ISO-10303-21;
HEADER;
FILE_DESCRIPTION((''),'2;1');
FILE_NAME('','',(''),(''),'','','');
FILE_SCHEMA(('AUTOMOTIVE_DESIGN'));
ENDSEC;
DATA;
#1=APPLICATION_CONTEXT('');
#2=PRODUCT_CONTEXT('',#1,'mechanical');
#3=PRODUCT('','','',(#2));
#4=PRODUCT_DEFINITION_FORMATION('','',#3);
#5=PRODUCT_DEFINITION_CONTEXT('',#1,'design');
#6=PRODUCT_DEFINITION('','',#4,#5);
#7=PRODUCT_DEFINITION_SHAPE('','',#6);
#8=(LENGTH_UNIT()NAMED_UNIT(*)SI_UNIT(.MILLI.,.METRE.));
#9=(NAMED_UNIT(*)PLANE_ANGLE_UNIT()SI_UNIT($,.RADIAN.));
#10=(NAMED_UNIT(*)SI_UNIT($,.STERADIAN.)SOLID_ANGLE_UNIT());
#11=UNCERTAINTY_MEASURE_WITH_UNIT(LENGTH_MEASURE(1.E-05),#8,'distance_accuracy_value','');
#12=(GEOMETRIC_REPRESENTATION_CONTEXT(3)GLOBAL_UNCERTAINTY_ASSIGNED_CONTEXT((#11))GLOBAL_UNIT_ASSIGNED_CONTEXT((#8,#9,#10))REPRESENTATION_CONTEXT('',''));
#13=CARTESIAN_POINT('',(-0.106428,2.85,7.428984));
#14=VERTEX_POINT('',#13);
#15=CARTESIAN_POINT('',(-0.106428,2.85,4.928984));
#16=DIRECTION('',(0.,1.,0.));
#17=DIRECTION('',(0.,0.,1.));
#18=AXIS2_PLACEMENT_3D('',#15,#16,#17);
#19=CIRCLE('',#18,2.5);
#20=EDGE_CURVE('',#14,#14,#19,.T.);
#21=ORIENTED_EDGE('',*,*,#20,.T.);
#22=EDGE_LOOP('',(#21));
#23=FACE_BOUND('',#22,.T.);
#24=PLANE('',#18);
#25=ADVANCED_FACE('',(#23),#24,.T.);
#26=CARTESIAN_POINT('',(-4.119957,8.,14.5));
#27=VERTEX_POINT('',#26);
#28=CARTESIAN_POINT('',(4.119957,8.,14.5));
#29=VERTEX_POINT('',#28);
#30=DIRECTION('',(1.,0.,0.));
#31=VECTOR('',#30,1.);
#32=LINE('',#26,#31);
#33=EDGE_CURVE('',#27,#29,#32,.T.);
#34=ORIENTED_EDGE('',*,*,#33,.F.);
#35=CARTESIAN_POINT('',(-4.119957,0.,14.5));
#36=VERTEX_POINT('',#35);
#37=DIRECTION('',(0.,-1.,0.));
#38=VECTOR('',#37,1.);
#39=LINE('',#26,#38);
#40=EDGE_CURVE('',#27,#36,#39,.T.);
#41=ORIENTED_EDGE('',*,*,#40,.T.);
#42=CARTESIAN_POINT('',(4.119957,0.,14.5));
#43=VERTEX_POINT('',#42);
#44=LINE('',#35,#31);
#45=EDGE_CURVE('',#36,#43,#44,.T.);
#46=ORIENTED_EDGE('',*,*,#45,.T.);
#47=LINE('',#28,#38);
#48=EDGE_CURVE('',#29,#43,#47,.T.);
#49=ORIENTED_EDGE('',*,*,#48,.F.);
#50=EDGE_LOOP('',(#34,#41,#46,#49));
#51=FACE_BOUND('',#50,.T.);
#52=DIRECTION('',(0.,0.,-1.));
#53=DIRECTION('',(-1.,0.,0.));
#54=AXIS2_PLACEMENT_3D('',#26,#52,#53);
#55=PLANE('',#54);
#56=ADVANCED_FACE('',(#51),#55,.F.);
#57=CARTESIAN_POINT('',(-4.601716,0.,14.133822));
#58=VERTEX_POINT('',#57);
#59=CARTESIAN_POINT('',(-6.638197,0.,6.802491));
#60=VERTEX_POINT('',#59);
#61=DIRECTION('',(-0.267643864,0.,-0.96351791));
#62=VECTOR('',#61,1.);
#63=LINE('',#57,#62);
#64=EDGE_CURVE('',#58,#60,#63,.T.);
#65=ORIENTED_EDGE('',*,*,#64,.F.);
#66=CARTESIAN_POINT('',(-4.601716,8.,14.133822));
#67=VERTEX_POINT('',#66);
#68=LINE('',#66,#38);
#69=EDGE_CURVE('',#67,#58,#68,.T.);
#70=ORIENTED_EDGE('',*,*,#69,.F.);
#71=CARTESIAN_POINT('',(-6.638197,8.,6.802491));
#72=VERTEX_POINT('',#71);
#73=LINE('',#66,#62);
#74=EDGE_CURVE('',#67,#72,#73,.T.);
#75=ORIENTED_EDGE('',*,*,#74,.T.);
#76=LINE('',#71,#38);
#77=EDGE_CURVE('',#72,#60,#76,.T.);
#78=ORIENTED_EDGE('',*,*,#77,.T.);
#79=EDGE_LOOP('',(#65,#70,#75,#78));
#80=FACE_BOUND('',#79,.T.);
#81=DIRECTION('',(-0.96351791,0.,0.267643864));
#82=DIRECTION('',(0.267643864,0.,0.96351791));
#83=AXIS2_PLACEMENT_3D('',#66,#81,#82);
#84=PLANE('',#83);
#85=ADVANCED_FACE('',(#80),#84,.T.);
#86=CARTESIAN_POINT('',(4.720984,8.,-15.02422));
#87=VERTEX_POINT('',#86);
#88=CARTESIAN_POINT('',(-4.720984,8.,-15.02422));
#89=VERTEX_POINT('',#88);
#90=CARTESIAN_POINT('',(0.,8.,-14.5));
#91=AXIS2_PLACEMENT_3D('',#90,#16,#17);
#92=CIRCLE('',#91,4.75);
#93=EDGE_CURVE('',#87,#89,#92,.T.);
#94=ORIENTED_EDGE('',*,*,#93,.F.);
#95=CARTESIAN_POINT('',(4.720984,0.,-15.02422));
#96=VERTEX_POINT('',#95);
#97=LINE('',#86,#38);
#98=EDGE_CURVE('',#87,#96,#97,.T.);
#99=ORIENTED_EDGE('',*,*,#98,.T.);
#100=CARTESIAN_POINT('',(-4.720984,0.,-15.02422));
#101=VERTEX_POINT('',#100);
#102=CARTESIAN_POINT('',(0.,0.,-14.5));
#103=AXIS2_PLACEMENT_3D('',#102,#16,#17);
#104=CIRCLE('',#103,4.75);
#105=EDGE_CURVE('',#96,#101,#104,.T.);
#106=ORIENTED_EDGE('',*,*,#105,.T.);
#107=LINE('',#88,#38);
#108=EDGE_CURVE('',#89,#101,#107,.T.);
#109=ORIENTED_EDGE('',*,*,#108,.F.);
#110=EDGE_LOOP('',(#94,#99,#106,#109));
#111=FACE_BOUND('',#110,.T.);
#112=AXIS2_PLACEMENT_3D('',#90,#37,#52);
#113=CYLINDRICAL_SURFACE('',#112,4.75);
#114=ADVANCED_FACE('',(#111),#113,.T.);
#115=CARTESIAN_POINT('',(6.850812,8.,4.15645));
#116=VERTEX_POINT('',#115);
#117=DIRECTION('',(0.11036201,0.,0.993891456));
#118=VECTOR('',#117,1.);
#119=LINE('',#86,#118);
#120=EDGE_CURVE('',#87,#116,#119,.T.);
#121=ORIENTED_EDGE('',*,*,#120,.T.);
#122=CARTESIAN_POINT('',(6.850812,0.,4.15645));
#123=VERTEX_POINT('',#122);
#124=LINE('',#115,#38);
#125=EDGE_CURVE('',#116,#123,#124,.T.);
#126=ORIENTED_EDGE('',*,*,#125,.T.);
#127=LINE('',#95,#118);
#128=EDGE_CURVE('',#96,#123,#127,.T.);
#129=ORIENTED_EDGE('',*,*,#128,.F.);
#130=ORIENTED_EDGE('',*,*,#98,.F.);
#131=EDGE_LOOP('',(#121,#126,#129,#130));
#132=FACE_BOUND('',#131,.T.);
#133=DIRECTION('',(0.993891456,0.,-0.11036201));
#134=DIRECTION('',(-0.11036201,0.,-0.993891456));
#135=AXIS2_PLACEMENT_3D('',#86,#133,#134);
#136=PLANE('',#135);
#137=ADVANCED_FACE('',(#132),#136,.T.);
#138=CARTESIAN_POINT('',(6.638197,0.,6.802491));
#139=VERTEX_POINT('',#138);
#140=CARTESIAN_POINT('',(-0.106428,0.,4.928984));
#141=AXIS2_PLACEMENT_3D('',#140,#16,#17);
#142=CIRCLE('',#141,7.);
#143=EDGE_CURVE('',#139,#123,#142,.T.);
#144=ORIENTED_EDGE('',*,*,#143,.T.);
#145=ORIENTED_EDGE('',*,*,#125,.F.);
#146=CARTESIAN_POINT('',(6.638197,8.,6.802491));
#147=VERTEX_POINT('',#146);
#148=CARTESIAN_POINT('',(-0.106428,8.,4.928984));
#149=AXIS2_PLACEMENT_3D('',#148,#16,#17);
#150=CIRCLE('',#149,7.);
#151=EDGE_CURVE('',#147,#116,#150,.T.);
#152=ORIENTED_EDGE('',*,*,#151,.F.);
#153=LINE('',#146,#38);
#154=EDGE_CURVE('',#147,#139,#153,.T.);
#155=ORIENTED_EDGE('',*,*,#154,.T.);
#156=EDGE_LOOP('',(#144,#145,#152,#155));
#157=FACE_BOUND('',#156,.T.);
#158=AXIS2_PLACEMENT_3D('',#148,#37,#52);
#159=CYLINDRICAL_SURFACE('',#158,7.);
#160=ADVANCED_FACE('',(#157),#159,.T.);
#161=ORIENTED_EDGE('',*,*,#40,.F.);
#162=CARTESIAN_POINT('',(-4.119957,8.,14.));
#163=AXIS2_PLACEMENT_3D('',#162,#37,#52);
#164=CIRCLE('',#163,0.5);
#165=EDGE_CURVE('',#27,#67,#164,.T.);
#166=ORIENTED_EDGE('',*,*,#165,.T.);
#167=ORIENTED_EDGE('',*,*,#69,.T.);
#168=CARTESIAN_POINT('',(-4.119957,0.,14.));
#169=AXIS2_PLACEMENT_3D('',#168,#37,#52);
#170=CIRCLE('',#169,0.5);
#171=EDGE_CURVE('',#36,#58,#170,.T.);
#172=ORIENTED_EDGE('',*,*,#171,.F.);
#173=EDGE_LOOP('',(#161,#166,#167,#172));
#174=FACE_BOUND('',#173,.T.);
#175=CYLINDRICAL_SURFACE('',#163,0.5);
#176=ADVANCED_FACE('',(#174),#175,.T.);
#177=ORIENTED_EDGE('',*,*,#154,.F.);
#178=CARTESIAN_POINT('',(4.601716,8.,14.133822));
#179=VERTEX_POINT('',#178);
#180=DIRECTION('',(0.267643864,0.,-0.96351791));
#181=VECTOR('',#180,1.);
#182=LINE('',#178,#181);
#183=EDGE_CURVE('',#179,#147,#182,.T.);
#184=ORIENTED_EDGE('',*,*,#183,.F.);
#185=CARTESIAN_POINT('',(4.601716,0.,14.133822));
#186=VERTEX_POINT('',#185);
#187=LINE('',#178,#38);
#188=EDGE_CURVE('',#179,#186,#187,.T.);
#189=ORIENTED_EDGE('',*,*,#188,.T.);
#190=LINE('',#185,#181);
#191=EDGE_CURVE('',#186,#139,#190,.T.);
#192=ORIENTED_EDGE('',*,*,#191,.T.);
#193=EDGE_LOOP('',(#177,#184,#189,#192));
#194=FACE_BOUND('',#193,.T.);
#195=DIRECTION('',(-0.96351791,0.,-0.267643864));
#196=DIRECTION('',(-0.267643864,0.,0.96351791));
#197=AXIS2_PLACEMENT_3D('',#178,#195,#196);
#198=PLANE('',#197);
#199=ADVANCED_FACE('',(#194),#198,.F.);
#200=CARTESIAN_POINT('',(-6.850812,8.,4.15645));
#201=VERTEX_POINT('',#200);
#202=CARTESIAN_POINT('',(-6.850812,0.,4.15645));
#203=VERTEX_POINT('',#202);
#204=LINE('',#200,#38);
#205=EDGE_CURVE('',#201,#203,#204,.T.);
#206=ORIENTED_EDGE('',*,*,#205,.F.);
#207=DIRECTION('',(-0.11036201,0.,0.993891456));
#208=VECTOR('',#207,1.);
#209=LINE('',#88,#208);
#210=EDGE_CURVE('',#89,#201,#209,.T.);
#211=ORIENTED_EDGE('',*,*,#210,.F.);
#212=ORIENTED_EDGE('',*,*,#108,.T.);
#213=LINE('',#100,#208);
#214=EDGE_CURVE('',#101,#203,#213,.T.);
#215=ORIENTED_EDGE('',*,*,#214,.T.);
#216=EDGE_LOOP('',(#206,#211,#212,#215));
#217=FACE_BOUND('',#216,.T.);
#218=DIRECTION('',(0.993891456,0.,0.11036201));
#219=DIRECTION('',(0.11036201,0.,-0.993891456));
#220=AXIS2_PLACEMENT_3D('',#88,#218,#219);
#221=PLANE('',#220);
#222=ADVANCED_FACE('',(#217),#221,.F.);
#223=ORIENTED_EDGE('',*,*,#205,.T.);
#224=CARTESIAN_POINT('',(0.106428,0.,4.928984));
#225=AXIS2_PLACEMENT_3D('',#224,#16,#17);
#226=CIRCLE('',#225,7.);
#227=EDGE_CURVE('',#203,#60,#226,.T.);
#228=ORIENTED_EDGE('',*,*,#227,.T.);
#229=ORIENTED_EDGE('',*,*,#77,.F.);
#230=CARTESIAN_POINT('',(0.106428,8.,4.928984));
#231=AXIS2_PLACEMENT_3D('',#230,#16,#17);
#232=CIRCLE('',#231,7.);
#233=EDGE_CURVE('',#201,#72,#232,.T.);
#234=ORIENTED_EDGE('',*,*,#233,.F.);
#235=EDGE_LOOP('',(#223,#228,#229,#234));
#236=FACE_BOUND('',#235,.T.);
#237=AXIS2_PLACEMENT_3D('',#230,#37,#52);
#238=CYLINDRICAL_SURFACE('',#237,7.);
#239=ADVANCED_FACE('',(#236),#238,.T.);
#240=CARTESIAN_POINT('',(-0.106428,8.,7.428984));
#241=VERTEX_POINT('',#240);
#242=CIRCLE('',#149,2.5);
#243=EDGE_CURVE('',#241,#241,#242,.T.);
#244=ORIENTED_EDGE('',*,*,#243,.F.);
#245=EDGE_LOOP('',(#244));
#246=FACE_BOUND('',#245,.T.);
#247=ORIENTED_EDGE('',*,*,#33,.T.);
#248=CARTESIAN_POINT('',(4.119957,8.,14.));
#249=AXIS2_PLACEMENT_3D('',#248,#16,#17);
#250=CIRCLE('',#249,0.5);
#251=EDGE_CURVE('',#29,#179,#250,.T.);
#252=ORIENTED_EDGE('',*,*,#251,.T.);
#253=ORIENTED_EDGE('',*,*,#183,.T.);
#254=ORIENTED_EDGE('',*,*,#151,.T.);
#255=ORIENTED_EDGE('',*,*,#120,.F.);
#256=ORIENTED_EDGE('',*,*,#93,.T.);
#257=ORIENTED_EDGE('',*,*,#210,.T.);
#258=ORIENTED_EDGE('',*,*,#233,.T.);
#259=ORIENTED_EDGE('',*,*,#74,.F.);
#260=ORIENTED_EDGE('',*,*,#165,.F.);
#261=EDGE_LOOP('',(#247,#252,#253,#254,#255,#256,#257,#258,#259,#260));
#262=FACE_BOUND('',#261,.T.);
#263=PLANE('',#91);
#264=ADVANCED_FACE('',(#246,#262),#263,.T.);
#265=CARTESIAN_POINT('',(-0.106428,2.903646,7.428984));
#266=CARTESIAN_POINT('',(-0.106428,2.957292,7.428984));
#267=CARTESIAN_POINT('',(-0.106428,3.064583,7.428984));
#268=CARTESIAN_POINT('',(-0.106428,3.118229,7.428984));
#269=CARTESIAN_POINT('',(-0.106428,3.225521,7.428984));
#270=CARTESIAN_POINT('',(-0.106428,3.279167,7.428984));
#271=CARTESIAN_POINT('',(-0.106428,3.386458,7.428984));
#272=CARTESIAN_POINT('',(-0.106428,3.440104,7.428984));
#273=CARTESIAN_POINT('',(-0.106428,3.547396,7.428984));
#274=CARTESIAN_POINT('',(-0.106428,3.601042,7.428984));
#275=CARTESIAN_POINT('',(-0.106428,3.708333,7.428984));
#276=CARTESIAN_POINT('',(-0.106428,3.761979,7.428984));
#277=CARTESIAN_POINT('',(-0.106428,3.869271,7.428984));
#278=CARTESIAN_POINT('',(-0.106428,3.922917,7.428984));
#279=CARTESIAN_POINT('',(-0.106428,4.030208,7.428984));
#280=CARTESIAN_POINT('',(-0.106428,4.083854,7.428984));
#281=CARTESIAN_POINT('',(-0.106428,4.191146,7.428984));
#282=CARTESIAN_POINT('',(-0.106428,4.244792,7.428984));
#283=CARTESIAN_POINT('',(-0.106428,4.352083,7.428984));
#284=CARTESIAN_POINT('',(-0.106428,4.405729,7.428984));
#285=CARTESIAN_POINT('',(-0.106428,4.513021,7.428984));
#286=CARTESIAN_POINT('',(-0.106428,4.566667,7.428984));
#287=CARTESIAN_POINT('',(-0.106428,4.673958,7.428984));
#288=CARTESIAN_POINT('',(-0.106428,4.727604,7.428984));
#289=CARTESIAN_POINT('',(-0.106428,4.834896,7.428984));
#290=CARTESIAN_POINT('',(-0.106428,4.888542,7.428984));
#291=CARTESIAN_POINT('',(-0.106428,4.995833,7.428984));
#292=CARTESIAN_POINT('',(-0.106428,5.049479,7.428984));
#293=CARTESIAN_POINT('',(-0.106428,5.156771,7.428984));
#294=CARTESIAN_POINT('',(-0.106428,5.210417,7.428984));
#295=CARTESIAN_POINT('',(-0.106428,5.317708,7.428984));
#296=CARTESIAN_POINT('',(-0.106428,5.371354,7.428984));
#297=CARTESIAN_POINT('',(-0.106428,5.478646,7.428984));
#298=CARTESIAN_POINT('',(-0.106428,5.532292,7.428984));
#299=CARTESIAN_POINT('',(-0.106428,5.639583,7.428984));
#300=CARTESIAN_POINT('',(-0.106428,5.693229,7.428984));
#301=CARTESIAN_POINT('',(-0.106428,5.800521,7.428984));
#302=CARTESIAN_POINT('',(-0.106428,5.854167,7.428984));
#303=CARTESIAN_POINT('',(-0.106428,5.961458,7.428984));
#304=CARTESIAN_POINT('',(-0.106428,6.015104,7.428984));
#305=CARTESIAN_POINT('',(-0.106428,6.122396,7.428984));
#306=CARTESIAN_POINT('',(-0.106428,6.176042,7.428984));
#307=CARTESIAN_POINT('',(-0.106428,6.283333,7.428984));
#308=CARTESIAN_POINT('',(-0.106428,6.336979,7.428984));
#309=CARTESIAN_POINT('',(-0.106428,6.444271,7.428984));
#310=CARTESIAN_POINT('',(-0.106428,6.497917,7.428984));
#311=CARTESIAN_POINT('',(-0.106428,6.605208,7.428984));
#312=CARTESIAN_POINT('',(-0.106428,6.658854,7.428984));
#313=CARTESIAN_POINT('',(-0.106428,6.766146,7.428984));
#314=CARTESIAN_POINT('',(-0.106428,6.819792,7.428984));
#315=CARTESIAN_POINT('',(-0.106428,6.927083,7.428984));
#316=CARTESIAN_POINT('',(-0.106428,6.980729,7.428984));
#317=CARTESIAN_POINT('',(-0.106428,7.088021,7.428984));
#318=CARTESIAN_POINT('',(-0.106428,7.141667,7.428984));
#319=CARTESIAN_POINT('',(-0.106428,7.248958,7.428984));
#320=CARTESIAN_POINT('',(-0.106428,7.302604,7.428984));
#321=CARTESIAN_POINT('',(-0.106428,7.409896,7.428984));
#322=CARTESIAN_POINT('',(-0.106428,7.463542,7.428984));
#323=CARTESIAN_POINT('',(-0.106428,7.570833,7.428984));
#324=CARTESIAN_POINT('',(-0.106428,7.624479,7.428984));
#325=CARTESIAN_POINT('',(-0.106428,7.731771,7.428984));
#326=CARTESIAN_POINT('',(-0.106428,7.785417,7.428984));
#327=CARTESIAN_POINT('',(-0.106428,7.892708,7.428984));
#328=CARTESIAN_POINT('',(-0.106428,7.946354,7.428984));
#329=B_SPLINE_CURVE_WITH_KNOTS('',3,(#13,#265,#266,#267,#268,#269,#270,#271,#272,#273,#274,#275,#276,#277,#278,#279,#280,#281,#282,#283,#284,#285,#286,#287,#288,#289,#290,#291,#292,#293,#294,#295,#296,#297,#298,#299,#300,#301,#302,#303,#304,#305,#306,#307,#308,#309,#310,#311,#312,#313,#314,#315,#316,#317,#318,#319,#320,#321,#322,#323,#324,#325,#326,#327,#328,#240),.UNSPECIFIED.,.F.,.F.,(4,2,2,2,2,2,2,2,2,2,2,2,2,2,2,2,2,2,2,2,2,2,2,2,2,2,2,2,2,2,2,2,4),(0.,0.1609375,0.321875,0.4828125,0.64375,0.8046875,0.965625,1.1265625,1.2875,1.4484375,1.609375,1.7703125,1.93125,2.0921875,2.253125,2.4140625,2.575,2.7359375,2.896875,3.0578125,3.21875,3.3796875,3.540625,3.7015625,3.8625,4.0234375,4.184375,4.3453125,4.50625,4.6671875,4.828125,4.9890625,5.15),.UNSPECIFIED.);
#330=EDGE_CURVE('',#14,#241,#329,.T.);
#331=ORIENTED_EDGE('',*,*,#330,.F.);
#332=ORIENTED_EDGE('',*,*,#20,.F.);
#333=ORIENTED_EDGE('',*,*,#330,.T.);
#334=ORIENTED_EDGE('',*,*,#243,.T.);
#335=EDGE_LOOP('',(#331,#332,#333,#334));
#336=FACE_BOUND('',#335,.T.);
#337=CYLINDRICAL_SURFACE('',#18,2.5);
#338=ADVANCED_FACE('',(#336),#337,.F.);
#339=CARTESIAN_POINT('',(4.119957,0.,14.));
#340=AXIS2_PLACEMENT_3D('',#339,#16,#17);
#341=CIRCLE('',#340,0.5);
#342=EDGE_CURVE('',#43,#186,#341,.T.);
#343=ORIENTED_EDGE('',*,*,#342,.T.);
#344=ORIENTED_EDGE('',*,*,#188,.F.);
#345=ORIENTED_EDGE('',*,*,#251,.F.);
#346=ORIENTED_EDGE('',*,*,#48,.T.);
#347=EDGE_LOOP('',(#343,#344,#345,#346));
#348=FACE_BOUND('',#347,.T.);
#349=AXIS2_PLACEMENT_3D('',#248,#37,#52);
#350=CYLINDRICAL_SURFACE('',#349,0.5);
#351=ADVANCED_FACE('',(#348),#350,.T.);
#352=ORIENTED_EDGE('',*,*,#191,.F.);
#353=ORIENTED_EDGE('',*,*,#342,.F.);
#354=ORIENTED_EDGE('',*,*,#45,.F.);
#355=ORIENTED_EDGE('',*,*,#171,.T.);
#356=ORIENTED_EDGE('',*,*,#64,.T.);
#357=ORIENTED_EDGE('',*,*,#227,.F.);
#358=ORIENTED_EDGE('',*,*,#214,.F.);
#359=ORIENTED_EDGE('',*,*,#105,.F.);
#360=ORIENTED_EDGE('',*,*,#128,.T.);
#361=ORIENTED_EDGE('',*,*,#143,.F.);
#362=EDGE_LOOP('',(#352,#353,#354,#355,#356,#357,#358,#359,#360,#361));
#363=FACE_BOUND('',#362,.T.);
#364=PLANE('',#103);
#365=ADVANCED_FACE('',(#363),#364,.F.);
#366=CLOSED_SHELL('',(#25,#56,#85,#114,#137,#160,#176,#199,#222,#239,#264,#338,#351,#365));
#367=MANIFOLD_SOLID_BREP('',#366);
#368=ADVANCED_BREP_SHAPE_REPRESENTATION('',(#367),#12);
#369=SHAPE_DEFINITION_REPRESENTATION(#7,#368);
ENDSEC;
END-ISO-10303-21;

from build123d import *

# Parameters (mm, degrees)
BOSS_EXTRUDE4_DEPTH = 8
SKETCH2_R           = 2.5
CUT_EXTRUDE1_DEPTH  = 5.15


with BuildPart() as part:
    # Sketch1 → Boss-Extrude4 (new body)
    with BuildSketch(Plane(origin=(0, 0, 0), x_dir=(1, 0, 0), z_dir=(0, 1, 0))):
        with BuildLine():
            Line((-4.119957175, -14.5), (4.119957175, -14.5))
            ThreePointArc((4.119957175, -14.5), (4.42252042, -14.398064672), (4.60171613, -14.133821932))
            Line((4.60171613, -14.133821932), (6.638196956, -6.80249096))
            ThreePointArc((6.638196956, -6.80249096), (6.871082847, -5.489641243), (6.850811782, -4.156449845))
            Line((6.850811782, -4.156449845), (4.720984417, 15.024219546))
            ThreePointArc((4.720984417, 15.024219546), (0, 19.25), (-4.720984417, 15.024219546))
            Line((-4.720984417, 15.024219546), (-6.850811782, -4.156449845))
            ThreePointArc((-6.850811782, -4.156449845), (-6.871082847, -5.489641243), (-6.638196956, -6.80249096))
            Line((-6.638196956, -6.80249096), (-4.60171613, -14.133821932))
            ThreePointArc((-4.60171613, -14.133821932), (-4.42252042, -14.398064672), (-4.119957175, -14.5))
        make_face()
    extrude(amount=BOSS_EXTRUDE4_DEPTH)

    # Sketch2 → Cut-Extrude1 (cut)
    with BuildSketch(Plane(origin=(0, 8, 0), x_dir=(1, 0, 0), z_dir=(0, 1, 0))):
        with Locations(Location((-0.106428412, -4.928983913, 0), (0, 0, 270))):
            Circle(SKETCH2_R)
    extrude(amount=-CUT_EXTRUDE1_DEPTH, mode=Mode.SUBTRACT)


solid = part.part
